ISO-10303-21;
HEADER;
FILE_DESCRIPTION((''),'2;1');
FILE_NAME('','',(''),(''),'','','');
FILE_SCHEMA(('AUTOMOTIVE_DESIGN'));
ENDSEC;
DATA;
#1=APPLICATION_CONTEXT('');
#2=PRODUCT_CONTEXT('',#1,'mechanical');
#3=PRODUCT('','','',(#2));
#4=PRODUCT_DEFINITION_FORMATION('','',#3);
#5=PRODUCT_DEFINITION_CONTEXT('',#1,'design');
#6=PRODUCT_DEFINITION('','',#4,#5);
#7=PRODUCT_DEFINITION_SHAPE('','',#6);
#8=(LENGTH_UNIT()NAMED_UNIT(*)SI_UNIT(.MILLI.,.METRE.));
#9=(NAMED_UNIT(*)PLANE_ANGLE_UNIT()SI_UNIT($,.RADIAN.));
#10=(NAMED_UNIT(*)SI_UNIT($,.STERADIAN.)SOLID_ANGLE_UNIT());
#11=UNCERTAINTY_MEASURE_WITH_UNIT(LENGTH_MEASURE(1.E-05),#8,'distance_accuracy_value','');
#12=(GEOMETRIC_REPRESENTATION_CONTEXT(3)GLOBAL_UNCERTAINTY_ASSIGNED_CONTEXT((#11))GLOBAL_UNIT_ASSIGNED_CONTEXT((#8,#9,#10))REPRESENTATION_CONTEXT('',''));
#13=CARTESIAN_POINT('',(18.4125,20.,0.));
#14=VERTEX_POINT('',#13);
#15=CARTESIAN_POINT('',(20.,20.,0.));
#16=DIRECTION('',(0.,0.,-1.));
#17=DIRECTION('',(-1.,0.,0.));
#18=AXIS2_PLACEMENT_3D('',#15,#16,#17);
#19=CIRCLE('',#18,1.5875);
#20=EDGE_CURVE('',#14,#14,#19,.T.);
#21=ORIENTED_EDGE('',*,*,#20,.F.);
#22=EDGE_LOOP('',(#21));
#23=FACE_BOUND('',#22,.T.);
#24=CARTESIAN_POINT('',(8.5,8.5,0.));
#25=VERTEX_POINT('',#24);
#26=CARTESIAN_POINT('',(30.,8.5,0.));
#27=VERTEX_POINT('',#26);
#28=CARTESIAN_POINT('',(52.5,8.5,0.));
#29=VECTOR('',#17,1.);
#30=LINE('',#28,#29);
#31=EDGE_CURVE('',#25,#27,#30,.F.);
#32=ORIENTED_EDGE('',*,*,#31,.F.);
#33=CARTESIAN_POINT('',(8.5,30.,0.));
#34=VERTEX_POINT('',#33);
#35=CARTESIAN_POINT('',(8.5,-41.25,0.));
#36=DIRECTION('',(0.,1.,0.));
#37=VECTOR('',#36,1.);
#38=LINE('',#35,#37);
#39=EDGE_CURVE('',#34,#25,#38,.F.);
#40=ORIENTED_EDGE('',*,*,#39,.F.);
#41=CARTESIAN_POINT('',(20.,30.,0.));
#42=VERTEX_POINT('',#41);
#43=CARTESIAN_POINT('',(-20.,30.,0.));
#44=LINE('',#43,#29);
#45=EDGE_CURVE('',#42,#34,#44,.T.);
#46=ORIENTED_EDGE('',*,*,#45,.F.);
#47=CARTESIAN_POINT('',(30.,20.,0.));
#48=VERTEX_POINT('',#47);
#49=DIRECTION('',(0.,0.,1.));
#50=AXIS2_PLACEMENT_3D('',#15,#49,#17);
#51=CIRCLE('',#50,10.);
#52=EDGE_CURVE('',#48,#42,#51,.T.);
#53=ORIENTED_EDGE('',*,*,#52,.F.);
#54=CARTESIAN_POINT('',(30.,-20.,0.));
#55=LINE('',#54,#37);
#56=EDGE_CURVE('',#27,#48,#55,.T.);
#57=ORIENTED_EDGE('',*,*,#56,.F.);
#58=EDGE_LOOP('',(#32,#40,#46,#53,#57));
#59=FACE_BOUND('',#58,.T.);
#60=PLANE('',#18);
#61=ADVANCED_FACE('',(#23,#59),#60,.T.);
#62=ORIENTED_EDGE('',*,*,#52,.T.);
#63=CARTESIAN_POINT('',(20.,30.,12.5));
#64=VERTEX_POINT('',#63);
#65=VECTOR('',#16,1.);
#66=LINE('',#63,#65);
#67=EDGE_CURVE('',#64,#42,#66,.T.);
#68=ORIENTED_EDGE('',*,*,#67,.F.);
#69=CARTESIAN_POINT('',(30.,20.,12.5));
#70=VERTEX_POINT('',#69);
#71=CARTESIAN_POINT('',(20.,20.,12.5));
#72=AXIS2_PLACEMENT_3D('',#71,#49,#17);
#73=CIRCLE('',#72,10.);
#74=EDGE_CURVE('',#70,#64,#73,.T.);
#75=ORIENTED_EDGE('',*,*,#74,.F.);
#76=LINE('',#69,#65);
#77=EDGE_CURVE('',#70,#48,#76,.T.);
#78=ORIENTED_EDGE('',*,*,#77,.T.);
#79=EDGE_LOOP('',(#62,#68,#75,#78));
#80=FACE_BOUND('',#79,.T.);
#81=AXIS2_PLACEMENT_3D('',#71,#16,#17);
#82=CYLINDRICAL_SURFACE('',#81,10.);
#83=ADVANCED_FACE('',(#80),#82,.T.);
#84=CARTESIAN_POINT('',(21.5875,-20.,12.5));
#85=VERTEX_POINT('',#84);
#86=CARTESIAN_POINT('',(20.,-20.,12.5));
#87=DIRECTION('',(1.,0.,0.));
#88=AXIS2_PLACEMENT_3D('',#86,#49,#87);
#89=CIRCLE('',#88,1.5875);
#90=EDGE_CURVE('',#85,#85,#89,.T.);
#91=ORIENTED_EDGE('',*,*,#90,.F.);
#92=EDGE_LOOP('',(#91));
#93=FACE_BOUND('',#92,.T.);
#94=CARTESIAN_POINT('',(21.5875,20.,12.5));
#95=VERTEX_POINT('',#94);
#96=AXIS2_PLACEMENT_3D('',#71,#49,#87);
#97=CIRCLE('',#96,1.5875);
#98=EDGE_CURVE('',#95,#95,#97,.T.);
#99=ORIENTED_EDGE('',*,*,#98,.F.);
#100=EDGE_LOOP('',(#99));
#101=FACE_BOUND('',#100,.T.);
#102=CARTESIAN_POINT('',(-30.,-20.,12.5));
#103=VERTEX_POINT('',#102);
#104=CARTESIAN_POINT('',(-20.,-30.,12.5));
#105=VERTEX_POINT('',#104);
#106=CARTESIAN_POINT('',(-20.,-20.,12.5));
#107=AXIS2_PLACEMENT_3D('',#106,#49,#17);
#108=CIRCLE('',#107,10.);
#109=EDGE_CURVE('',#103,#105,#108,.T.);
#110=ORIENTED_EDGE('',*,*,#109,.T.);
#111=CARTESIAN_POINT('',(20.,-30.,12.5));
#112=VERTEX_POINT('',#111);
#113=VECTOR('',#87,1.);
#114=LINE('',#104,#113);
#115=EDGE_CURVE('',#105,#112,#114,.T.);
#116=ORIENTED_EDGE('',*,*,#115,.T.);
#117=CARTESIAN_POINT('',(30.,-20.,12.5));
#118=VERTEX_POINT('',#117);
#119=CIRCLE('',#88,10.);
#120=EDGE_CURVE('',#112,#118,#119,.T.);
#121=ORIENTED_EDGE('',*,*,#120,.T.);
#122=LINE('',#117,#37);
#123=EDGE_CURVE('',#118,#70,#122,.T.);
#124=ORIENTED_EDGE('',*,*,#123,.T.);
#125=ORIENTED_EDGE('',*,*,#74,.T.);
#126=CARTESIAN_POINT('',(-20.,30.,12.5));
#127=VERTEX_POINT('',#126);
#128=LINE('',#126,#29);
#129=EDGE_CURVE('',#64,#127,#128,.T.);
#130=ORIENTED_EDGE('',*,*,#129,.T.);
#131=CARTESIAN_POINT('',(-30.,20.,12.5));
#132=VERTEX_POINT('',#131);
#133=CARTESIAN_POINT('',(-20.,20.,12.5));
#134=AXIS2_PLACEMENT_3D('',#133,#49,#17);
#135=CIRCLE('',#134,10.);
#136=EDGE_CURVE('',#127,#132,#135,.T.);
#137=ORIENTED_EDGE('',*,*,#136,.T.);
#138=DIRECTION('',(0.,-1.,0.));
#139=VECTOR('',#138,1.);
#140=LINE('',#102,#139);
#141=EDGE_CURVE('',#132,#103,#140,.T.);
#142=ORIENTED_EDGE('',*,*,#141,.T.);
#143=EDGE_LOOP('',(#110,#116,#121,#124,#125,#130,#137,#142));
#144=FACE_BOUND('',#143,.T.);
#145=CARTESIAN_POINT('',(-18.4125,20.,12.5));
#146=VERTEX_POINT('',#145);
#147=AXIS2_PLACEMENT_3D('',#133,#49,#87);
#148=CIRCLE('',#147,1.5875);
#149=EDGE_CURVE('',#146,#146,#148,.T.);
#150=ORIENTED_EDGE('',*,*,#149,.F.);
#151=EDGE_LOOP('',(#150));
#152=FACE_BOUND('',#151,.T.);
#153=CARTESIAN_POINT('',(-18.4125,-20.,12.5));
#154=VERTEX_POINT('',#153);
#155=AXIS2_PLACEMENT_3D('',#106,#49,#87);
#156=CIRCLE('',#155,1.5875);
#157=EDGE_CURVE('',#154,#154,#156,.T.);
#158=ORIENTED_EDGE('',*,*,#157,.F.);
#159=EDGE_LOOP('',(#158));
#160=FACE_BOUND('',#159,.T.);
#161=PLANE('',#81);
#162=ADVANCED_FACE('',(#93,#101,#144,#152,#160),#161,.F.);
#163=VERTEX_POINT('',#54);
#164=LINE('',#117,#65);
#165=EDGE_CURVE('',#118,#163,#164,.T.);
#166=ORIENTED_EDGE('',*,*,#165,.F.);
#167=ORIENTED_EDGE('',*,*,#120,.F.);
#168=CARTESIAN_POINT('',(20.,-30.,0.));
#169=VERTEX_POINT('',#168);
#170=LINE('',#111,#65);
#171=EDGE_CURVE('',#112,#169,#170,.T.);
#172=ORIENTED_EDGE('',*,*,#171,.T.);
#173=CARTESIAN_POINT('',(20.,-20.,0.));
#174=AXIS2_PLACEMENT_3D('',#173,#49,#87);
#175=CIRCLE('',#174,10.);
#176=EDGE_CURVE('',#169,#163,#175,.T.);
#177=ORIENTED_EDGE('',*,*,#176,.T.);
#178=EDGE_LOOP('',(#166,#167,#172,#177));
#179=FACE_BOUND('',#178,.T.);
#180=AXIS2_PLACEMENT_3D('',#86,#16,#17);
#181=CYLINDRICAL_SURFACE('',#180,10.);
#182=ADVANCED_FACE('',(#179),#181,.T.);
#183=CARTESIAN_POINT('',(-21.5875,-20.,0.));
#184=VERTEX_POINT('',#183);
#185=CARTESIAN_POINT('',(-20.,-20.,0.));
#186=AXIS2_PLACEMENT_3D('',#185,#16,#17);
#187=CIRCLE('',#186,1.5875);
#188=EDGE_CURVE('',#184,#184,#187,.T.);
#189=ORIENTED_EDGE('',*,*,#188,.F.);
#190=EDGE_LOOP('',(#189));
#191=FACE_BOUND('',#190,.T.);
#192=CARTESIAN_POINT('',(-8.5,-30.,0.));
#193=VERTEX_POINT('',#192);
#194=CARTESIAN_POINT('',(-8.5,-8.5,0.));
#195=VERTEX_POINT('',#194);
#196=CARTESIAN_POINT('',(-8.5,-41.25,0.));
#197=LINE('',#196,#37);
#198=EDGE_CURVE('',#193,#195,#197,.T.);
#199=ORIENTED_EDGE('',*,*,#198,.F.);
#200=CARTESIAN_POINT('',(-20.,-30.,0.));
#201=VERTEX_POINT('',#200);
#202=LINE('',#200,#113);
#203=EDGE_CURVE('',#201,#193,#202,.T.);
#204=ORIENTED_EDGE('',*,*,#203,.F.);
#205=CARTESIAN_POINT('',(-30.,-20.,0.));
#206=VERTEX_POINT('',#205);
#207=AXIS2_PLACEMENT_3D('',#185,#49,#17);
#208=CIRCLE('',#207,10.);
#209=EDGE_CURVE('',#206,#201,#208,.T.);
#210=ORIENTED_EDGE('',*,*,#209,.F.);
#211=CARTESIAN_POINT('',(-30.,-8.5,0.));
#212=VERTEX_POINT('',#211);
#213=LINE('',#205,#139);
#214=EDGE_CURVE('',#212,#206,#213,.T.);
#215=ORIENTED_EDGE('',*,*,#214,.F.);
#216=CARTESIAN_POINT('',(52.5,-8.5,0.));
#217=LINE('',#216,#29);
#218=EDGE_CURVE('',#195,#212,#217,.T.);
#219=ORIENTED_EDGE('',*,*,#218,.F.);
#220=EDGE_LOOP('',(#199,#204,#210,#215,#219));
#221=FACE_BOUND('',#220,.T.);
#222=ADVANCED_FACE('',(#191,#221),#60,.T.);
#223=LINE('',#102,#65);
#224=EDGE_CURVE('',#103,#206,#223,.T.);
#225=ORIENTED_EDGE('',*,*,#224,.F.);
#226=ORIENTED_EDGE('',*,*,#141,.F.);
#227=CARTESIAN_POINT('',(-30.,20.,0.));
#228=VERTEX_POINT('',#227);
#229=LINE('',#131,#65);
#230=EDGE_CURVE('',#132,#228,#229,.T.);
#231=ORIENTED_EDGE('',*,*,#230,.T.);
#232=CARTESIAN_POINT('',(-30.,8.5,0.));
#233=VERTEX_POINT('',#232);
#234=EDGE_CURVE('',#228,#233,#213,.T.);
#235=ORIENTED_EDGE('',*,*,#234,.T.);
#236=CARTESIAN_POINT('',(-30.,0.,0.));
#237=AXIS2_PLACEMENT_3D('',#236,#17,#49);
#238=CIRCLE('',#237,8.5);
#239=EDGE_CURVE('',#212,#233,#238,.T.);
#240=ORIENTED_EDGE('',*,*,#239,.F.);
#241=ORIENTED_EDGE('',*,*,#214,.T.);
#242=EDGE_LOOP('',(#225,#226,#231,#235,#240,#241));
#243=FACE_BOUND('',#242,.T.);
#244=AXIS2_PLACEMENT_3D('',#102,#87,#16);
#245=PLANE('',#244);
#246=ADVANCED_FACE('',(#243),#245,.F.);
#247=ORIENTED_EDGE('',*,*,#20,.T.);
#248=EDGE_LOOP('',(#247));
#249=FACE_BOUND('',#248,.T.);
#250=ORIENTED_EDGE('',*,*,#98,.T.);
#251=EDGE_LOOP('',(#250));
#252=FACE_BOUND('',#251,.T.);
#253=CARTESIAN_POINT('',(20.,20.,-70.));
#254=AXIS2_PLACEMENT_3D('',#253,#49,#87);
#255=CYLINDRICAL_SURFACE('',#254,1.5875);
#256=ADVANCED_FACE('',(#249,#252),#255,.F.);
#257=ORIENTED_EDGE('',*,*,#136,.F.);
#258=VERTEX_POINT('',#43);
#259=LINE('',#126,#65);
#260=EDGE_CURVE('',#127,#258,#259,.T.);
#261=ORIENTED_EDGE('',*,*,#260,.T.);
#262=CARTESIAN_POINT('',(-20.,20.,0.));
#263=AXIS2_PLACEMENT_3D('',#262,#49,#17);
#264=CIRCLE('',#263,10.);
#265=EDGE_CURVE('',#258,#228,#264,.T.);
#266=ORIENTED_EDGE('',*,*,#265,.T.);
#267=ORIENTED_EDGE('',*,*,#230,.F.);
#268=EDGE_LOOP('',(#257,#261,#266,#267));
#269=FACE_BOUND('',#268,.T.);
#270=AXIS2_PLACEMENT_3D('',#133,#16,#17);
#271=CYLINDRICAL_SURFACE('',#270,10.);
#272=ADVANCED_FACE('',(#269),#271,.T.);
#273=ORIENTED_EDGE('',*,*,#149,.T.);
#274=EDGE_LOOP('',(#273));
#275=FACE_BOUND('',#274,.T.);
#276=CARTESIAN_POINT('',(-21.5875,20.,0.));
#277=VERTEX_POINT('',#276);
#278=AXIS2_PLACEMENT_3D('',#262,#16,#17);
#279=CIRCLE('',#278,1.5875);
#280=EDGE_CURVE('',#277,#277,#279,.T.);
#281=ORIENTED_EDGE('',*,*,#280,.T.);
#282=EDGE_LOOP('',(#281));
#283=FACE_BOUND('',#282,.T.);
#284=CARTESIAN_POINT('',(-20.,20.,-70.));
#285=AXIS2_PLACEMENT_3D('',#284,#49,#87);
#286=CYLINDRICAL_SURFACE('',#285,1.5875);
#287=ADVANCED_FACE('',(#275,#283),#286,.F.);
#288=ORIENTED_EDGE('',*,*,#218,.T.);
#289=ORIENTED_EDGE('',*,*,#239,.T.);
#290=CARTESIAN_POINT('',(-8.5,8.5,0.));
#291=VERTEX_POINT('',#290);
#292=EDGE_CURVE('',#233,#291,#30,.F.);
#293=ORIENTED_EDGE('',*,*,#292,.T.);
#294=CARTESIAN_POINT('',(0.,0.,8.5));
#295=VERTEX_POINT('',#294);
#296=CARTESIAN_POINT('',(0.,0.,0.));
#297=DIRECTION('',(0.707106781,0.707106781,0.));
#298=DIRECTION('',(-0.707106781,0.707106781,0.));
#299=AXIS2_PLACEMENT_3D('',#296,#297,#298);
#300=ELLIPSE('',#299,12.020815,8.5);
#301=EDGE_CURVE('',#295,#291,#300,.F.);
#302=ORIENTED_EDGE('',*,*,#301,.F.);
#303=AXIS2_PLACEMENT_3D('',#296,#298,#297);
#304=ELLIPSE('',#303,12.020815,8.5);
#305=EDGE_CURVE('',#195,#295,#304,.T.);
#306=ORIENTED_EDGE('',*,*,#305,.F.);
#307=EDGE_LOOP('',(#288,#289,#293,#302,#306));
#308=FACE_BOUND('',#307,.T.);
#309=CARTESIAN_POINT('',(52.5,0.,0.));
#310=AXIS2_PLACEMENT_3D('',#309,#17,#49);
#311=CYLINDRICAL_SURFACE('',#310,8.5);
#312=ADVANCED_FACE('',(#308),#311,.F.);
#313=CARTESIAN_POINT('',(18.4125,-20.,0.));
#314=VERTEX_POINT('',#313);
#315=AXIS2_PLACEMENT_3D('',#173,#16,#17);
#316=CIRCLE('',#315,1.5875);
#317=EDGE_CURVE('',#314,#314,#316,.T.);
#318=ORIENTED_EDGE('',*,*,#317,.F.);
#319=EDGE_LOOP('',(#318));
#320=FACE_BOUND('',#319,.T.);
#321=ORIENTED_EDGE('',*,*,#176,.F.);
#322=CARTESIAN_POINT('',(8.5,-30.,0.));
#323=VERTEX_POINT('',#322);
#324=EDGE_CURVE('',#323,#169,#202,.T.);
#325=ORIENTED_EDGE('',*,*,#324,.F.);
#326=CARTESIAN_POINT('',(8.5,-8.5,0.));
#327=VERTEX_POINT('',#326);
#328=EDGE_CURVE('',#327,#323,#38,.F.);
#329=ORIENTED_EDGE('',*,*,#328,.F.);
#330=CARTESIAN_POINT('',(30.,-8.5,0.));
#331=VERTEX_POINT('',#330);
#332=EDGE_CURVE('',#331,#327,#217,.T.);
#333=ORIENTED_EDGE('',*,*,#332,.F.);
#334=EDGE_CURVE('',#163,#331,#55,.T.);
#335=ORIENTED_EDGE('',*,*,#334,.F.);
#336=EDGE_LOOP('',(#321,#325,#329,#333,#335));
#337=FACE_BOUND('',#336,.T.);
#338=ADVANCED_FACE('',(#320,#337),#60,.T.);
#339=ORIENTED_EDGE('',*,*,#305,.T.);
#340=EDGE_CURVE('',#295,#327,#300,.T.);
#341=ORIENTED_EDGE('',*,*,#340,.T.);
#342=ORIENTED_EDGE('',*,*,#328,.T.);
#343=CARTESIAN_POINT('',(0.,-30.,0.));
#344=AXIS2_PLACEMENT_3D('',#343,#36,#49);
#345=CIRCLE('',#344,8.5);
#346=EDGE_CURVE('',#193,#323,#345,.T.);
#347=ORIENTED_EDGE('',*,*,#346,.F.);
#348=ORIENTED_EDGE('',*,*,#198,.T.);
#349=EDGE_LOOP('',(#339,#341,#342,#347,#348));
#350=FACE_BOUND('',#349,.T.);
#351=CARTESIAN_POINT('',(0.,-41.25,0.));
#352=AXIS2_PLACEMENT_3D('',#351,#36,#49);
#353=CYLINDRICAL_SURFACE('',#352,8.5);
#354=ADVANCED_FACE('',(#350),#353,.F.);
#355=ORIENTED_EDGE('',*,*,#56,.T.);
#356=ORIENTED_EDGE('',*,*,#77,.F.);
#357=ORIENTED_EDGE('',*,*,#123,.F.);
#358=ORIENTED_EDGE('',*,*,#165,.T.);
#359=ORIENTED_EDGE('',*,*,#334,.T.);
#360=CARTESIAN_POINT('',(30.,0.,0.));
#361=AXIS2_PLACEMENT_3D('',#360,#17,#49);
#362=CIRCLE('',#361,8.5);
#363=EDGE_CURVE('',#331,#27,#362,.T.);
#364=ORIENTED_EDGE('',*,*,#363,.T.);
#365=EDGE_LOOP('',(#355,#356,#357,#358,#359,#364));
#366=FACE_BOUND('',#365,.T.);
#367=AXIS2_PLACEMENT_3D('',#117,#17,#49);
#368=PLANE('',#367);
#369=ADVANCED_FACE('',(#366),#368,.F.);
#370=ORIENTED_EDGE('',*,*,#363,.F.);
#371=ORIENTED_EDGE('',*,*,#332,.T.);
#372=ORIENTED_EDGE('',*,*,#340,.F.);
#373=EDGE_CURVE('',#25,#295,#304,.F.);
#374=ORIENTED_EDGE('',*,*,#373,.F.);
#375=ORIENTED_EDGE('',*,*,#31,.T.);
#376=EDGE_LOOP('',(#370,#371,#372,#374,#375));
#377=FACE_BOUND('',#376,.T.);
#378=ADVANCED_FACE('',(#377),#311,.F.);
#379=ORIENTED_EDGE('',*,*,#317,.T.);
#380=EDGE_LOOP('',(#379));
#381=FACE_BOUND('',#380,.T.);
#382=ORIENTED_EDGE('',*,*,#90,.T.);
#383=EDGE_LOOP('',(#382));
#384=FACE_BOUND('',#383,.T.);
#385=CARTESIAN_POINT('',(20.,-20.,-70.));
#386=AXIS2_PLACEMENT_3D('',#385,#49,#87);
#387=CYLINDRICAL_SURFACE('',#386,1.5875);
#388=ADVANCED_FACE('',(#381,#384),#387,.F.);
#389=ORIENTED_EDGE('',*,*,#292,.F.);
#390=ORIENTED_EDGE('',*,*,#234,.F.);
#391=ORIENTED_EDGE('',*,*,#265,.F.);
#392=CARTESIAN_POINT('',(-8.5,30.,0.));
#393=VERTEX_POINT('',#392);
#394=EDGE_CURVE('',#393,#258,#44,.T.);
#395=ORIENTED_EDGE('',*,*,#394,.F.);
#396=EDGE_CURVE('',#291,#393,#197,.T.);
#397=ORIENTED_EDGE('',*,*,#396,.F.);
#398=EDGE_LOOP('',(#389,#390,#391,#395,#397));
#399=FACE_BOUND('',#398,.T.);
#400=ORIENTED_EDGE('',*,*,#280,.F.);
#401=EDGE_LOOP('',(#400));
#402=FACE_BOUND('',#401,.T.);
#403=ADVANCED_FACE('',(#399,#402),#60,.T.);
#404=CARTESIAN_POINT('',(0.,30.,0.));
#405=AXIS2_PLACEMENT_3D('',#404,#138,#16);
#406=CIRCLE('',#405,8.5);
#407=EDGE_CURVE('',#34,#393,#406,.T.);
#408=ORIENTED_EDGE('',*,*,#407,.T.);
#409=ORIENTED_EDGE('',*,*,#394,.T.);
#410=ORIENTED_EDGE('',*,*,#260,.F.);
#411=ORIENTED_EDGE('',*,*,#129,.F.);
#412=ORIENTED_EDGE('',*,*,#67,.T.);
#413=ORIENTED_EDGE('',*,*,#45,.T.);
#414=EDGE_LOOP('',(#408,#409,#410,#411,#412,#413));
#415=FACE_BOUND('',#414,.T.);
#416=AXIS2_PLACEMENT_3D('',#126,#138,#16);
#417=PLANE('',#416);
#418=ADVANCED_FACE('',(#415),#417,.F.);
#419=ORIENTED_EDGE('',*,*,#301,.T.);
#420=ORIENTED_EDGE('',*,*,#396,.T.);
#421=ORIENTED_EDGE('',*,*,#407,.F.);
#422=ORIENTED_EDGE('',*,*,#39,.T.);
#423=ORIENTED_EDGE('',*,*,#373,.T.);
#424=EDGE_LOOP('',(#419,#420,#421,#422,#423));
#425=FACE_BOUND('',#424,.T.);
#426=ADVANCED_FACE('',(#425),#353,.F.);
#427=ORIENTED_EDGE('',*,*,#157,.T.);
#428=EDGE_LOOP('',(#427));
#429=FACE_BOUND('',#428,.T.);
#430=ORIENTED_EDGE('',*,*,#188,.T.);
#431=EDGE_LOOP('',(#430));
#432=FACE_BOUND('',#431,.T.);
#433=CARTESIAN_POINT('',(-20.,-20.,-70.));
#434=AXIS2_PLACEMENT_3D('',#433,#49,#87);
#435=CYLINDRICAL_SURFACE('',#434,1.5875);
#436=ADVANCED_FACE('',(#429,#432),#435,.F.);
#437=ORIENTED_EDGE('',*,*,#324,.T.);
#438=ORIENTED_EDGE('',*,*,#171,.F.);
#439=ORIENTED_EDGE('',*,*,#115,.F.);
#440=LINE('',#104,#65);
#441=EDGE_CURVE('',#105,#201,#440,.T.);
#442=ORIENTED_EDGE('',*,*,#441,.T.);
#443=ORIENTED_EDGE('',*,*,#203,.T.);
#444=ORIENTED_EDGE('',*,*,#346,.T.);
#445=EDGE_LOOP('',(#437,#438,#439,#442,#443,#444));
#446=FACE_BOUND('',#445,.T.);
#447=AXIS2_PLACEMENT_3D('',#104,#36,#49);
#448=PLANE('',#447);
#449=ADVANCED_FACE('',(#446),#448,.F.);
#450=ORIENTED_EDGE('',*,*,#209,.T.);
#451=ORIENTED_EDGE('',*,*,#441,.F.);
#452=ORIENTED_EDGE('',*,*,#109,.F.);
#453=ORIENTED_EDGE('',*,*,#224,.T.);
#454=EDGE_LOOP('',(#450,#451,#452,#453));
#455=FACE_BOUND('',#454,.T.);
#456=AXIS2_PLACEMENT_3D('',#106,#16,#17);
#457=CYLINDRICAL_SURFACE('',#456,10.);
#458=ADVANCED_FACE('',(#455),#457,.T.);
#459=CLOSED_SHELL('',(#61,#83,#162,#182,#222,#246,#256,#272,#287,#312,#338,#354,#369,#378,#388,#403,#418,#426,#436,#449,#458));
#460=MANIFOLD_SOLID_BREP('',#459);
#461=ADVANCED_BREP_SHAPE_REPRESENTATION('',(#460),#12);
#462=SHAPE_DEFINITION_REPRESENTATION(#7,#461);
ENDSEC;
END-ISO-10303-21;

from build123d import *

# Parameters (mm, degrees)
SALIENTE_EXTRUIR1_DEPTH = 12.5
CROQUIS2_R              = 8.5
CORTAR_EXTRUIR1_DEPTH   = 41.25
CROQUIS3_R              = 8.5
CORTAR_EXTRUIR2_DEPTH   = 82.5
CROQUIS4_R              = 1.5875
CORTAR_EXTRUIR3_DEPTH   = 82.5


with BuildPart() as part:
    # Croquis1 → Saliente-Extruir1 (new body)
    with BuildSketch(Plane.XY):
        with BuildLine():
            Line((-20, -30), (20, -30))
            ThreePointArc((20, -30), (27.071067812, -27.071067812), (30, -20))
            Line((30, -20), (30, 20))
            ThreePointArc((30, 20), (27.071067812, 27.071067812), (20, 30))
            Line((20, 30), (-20, 30))
            ThreePointArc((-20, 30), (-27.071067812, 27.071067812), (-30, 20))
            Line((-30, 20), (-30, -20))
            ThreePointArc((-30, -20), (-27.071067812, -27.071067812), (-20, -30))
        make_face()
    extrude(amount=SALIENTE_EXTRUIR1_DEPTH)

    # Croquis2 → Cortar-Extruir1 (cut, symmetric)
    with BuildSketch(Plane(origin=(0, 0, 0), x_dir=(1, 0, 0), z_dir=(0, 1, 0))):
        Circle(CROQUIS2_R)
    extrude(amount=CORTAR_EXTRUIR1_DEPTH, both=True, mode=Mode.SUBTRACT)

    # Croquis3 → Cortar-Extruir2 (cut)
    with BuildSketch(Plane.ZY.offset(30)):
        Circle(CROQUIS3_R)
    extrude(amount=-CORTAR_EXTRUIR2_DEPTH, mode=Mode.SUBTRACT)

    # Croquis4 → Cortar-Extruir3 (cut)
    with BuildSketch(Plane.XY.offset(12.5)):
        with Locations((-20, 20)):
            Circle(CROQUIS4_R)
        with Locations((20, 20)):
            Circle(CROQUIS4_R)
        with Locations((20, -20)):
            Circle(CROQUIS4_R)
        with Locations((-20, -20)):
            Circle(CROQUIS4_R)
    extrude(amount=-CORTAR_EXTRUIR3_DEPTH, mode=Mode.SUBTRACT)


solid = part.part
